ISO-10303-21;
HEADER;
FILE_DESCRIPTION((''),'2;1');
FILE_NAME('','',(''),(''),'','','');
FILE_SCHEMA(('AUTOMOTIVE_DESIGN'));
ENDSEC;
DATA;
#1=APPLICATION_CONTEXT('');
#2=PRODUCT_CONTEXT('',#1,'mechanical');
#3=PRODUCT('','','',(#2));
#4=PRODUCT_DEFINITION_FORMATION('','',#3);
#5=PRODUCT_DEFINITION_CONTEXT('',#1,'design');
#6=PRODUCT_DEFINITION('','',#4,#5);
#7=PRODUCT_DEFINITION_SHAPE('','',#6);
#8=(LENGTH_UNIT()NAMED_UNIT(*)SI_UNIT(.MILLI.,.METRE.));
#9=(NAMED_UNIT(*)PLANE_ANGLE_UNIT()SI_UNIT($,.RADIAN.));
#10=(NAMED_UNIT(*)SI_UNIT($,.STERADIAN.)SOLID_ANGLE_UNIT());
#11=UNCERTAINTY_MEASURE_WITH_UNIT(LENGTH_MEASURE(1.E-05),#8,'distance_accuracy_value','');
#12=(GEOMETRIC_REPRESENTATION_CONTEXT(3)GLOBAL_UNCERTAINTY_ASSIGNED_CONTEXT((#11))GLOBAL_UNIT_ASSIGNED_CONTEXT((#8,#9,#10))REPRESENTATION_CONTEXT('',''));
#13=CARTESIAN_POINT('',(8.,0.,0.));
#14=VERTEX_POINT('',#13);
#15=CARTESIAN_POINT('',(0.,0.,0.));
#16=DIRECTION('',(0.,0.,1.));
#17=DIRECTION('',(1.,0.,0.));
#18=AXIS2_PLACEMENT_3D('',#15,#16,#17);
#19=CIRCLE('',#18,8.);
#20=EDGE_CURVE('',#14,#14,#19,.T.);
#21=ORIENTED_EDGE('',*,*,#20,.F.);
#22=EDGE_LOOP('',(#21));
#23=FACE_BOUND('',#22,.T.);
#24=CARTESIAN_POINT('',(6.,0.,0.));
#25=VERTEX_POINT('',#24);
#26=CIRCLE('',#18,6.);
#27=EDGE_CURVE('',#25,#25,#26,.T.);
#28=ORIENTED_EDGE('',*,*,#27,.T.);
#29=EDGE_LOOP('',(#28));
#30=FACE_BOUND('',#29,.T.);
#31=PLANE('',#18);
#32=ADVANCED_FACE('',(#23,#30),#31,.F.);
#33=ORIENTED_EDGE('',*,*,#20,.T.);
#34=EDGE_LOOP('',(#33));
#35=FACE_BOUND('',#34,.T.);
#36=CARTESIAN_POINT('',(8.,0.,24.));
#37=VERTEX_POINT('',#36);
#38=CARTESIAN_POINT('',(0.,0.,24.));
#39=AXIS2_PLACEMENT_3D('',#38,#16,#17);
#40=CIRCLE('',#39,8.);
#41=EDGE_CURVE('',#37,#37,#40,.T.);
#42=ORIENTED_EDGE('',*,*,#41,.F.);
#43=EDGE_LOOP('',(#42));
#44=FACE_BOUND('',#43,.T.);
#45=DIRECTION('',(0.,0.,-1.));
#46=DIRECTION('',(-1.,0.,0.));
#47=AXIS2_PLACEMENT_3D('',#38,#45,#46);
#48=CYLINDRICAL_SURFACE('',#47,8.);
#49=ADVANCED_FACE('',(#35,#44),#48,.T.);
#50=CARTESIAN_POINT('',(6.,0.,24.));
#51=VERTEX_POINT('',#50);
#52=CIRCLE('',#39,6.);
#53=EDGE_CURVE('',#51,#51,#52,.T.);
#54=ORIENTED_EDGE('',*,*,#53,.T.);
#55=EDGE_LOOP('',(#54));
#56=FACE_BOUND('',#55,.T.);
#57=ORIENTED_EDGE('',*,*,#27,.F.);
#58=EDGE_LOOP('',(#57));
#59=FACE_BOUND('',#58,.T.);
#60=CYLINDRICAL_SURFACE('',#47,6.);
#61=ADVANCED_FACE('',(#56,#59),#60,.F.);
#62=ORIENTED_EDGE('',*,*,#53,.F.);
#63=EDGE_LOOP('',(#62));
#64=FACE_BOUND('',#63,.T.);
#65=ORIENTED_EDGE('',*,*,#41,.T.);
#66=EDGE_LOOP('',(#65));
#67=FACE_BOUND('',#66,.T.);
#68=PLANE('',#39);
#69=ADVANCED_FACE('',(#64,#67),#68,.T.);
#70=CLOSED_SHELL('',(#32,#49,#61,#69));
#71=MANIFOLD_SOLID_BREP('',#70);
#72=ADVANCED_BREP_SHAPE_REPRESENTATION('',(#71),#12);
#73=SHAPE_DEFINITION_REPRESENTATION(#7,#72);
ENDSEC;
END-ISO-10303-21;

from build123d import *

# Parameters (mm, degrees)
SKETCH_1_R      = 8
SKETCH_1_R_2    = 6
EXTRUDE_1_DEPTH = 24


with BuildPart() as part:
    # Эскиз1 → Бобышка-Вытянуть1 (new body)
    with BuildSketch(Plane.XY):
        Circle(SKETCH_1_R)
        Circle(SKETCH_1_R_2, mode=Mode.SUBTRACT)
    extrude(amount=EXTRUDE_1_DEPTH)


solid = part.part
